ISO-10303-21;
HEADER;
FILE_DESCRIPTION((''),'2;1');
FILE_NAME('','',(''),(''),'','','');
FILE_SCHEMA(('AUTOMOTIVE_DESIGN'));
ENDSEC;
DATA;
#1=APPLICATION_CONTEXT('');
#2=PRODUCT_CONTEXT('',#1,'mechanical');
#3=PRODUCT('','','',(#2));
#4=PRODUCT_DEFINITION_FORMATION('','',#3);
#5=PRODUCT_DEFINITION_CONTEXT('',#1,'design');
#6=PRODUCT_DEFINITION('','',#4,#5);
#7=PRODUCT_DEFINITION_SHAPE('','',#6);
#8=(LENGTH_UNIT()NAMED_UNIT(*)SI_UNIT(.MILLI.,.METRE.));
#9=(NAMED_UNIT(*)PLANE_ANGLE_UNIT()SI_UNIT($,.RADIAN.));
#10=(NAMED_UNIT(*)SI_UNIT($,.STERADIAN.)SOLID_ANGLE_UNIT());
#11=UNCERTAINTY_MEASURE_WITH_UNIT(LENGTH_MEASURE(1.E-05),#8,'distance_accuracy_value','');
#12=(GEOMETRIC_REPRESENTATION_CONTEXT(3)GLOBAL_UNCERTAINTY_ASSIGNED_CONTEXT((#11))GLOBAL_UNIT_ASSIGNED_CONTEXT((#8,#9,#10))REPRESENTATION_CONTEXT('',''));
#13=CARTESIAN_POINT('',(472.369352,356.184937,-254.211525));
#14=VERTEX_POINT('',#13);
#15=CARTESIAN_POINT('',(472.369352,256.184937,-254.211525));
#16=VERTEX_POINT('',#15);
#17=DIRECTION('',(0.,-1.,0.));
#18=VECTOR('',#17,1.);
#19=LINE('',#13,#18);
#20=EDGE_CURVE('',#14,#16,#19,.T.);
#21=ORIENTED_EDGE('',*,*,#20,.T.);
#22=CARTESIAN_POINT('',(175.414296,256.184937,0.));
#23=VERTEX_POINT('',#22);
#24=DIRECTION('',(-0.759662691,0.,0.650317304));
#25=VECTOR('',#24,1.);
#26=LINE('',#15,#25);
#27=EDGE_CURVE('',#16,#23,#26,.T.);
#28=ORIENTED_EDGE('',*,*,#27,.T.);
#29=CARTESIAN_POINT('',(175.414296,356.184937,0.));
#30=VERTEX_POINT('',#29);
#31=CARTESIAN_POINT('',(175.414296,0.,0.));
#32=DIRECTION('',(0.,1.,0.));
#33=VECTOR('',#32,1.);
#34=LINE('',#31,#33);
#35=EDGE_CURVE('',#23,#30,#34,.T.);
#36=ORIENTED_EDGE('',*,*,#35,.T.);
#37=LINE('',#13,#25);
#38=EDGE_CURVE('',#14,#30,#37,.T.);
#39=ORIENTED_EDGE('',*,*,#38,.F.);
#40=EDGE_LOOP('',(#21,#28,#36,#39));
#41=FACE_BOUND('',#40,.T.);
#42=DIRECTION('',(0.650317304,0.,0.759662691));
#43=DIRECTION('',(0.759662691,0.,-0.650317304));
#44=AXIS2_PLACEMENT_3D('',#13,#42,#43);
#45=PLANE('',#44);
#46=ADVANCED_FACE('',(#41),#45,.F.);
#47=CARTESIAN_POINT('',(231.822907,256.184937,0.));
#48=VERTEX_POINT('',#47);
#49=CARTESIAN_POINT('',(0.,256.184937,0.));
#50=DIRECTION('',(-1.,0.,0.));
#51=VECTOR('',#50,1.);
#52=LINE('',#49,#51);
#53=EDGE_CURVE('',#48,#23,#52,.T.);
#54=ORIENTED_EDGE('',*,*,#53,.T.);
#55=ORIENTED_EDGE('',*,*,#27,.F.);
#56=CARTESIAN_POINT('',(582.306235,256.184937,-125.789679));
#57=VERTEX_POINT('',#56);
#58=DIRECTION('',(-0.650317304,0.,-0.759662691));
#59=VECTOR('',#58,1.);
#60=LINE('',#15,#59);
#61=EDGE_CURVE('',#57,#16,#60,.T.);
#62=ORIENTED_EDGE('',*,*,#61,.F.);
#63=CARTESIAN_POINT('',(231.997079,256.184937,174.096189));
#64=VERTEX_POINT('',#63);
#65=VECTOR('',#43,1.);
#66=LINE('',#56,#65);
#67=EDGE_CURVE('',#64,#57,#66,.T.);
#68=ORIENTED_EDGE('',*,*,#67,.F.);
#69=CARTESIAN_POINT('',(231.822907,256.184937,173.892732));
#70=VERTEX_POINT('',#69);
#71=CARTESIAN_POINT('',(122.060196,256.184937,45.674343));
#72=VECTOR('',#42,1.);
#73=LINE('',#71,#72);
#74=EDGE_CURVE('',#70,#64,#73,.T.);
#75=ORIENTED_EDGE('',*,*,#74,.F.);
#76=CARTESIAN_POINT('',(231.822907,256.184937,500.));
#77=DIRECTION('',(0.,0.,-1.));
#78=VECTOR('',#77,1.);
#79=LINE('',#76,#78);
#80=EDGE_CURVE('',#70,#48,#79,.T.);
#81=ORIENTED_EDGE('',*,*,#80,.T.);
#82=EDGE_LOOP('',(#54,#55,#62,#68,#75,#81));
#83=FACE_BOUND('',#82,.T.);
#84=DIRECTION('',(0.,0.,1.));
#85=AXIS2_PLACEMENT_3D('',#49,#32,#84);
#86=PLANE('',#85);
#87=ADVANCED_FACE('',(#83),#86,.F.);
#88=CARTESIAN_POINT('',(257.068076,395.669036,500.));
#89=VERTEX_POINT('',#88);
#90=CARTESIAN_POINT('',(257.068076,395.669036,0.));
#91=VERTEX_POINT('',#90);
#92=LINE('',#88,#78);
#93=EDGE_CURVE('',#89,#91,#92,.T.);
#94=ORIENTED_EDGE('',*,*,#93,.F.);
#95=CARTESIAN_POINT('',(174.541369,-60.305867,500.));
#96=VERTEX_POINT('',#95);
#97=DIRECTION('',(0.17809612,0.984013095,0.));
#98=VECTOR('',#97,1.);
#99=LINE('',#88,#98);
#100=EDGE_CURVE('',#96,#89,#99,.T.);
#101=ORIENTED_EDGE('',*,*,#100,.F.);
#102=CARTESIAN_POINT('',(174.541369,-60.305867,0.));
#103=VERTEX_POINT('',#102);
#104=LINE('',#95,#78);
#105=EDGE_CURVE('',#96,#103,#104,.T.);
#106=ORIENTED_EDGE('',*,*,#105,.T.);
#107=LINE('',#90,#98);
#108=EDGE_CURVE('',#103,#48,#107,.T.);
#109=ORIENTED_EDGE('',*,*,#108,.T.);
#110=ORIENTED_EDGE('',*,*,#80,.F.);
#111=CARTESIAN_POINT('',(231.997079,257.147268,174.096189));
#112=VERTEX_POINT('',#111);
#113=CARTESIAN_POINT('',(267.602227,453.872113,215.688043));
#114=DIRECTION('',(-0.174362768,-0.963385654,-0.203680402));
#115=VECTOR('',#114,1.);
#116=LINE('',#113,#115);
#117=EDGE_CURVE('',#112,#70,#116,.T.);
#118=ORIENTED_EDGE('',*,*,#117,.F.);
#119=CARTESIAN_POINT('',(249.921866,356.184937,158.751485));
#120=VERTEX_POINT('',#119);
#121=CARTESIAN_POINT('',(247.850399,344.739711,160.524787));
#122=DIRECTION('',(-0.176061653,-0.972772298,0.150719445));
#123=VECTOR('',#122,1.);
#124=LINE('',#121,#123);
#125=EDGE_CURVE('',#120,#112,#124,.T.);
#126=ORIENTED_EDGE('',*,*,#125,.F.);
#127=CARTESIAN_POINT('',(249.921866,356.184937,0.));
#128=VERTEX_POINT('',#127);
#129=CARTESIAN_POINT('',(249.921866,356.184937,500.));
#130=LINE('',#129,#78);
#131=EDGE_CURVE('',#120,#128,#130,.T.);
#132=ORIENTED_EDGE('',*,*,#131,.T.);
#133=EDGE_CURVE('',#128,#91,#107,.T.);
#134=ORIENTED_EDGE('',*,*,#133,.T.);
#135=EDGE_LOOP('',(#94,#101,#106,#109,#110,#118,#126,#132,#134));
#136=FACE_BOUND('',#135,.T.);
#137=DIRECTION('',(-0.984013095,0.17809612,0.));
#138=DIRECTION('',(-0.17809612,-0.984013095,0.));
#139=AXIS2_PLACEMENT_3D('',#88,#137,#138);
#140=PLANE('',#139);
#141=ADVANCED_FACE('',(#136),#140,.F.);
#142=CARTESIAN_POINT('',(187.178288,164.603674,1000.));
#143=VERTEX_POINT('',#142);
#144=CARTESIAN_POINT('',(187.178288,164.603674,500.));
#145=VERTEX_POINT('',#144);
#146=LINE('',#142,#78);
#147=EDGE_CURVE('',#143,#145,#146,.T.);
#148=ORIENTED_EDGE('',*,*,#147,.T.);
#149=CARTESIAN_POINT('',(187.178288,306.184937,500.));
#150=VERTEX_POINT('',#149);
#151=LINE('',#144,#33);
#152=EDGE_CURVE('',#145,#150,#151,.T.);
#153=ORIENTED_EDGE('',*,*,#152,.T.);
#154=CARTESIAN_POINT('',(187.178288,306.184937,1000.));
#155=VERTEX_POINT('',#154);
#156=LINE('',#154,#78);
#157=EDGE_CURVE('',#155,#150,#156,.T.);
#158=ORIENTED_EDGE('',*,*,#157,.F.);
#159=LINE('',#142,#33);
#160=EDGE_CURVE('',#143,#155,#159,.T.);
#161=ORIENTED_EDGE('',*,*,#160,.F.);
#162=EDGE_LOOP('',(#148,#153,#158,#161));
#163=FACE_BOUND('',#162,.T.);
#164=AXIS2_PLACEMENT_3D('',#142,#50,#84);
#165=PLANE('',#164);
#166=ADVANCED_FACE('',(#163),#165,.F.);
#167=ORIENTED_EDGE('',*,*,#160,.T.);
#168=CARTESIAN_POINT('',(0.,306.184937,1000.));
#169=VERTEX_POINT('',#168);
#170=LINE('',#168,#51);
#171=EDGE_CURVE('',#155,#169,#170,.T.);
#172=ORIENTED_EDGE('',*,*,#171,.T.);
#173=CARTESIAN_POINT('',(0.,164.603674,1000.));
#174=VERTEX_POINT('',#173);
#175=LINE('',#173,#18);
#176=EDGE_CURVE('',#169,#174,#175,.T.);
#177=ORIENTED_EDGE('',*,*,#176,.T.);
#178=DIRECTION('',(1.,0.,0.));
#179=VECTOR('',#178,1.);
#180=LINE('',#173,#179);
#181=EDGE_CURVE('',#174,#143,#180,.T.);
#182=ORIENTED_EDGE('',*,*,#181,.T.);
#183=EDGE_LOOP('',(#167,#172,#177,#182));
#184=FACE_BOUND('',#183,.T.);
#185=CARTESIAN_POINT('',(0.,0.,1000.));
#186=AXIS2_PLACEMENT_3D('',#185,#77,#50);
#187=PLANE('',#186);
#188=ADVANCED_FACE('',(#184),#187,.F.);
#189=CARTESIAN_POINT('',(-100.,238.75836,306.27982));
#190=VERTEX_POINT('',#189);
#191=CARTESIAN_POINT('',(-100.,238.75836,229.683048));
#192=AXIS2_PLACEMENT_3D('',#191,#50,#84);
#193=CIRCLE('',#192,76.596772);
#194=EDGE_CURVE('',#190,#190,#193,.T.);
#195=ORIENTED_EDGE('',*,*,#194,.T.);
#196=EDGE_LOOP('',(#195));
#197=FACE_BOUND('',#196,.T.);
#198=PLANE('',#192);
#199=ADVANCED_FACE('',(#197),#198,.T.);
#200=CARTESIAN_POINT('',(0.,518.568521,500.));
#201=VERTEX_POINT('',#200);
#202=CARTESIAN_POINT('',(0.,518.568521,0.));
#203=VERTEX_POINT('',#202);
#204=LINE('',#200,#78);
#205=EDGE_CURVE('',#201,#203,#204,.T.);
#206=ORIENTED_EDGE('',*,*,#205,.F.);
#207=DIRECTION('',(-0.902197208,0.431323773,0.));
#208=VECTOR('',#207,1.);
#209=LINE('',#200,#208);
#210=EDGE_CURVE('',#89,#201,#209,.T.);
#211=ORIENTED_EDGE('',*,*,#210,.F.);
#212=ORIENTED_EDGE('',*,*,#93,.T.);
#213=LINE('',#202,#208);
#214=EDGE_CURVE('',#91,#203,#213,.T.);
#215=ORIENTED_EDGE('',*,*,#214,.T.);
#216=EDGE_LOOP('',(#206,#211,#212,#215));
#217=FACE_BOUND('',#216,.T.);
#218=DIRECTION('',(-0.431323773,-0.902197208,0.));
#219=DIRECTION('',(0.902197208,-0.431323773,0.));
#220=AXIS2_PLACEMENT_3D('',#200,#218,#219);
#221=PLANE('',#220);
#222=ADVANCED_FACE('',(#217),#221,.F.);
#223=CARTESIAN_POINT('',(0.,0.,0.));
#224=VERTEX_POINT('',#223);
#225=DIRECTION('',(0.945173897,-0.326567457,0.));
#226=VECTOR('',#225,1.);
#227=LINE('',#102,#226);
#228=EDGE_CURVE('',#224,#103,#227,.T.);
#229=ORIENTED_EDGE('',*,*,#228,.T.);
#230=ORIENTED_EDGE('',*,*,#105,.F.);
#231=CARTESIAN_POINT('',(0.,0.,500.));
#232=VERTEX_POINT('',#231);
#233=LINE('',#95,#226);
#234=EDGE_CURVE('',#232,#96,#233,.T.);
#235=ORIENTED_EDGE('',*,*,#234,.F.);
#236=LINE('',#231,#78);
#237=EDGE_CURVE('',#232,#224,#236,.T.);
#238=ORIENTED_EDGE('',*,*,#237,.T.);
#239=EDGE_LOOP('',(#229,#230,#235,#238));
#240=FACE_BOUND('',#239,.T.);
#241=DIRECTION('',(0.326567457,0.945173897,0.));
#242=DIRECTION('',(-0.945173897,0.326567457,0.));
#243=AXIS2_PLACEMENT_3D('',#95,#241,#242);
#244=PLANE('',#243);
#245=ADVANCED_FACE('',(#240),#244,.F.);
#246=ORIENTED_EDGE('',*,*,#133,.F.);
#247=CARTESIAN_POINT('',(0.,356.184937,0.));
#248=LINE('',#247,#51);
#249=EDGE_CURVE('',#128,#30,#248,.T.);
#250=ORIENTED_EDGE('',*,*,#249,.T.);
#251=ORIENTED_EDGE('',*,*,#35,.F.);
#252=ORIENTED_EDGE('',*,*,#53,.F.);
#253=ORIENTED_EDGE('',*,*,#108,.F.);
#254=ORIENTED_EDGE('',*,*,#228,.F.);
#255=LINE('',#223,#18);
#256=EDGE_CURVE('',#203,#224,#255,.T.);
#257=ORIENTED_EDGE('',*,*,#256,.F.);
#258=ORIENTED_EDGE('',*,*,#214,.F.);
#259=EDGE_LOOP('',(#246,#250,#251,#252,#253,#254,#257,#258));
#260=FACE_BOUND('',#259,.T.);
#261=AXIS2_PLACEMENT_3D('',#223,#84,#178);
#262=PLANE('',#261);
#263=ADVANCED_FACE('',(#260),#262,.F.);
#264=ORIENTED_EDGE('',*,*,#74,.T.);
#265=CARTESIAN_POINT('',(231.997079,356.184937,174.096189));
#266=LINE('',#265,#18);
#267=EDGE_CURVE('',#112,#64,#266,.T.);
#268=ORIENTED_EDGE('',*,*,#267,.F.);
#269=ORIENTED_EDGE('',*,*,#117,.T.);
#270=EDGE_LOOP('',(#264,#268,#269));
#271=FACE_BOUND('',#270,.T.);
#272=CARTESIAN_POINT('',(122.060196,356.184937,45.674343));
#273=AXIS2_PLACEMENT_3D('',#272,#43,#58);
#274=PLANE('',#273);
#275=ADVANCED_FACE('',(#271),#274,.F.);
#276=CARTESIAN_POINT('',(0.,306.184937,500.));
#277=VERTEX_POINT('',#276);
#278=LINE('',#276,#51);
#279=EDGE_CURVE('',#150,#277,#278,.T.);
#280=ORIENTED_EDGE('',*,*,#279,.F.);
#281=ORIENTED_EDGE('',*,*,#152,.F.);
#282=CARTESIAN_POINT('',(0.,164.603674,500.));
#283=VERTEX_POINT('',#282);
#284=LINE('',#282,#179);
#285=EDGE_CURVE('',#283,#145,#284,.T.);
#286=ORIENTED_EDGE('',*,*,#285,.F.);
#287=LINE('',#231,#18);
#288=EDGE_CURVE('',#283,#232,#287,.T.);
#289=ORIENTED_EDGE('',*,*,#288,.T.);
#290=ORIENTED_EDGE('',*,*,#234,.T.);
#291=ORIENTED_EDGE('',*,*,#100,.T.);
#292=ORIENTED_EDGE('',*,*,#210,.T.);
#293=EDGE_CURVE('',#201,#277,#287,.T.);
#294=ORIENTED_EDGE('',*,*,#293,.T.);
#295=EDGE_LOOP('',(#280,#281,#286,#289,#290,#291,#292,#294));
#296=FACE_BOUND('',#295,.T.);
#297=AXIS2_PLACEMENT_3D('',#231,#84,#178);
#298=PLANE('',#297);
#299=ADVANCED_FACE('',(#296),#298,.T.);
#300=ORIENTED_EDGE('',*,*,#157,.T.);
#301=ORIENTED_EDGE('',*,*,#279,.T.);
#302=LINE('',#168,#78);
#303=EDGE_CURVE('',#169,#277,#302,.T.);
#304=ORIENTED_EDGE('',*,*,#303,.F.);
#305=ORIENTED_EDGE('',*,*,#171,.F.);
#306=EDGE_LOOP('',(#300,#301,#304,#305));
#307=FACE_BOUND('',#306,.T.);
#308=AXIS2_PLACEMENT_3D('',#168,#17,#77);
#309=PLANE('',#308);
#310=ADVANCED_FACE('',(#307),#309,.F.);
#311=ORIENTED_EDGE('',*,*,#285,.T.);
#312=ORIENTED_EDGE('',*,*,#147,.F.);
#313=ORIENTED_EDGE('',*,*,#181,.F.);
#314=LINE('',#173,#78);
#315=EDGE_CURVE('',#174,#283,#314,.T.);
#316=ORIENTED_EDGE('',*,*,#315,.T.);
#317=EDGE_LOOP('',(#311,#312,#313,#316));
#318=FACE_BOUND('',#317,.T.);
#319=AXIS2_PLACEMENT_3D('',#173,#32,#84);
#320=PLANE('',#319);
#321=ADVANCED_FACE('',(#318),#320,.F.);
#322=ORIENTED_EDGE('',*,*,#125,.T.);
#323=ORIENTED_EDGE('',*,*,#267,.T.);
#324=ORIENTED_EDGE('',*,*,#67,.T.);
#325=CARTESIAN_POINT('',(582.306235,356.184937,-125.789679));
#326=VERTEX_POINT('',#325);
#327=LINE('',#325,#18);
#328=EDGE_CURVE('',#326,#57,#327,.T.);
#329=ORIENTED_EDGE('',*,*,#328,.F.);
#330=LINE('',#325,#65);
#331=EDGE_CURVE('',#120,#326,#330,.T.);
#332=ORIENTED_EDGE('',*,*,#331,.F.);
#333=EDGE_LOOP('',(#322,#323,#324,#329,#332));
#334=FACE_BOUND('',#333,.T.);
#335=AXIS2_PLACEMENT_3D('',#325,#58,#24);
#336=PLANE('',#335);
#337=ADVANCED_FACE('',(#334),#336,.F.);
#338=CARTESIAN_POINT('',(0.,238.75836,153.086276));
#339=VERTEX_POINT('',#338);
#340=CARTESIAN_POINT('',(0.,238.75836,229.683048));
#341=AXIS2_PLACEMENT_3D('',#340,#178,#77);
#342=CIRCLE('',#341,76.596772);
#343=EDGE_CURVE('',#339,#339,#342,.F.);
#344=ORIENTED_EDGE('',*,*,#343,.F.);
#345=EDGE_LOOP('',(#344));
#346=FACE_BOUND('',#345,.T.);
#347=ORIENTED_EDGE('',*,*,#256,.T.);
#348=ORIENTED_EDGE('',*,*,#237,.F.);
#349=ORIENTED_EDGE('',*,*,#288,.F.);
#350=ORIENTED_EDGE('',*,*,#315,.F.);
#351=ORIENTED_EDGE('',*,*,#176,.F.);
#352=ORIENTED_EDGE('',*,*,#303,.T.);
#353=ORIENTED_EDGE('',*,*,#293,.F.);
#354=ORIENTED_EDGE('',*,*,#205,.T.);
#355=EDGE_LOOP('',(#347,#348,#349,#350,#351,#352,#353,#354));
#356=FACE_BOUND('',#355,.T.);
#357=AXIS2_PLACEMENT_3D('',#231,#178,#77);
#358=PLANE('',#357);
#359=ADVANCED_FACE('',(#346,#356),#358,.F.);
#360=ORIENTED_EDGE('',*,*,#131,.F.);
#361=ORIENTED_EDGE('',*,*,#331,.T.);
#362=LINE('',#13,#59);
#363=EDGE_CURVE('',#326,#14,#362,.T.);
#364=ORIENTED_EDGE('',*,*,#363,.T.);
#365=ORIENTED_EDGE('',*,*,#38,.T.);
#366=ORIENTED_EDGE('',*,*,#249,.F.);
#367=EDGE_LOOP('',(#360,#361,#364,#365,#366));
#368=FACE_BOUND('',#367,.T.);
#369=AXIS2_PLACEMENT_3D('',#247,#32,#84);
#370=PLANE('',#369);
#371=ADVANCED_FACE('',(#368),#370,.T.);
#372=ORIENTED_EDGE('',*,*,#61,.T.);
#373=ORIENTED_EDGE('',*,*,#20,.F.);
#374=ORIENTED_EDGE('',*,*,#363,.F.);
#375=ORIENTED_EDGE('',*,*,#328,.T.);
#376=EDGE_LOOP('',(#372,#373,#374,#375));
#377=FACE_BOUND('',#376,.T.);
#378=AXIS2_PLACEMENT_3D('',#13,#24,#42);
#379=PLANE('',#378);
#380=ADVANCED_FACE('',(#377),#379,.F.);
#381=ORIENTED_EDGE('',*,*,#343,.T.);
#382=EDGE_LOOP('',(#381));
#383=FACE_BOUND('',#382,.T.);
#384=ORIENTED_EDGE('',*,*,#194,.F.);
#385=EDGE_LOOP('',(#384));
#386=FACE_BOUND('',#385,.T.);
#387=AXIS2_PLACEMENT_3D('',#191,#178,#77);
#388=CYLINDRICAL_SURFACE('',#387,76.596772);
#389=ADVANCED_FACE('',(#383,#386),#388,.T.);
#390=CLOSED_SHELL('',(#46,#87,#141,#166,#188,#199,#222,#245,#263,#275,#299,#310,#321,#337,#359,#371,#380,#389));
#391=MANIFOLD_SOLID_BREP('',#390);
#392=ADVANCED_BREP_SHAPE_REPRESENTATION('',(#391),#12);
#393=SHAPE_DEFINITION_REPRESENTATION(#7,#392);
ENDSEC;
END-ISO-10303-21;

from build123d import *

# Parameters (mm, degrees)
BOSS_EXTRU_1_DEPTH = 500
ESQUISSE2_W        = 187.1782881
ESQUISSE2_H        = 141.58126374
BOSS_EXTRU_2_DEPTH = 500
ESQUISSE3_R        = 76.59677213
BOSS_EXTRU_3_DEPTH = 100
BOSS_EXTRU_4_DEPTH = 50


with BuildPart() as part:
    # Esquisse1 → Boss.-Extru.1 (new body)
    with BuildSketch(Plane.XY):
        Polygon((0, 0), (0, 518.568521206), (257.06807621, 395.669035808), (174.541368625, -60.305866535), align=None)
    extrude(amount=BOSS_EXTRU_1_DEPTH)

    # Esquisse2 → Boss.-Extru.2 (add)
    with BuildSketch(Plane.XY.offset(500)):
        with Locations((93.58914405, 235.39430549)):
            Rectangle(ESQUISSE2_W, ESQUISSE2_H)
    extrude(amount=BOSS_EXTRU_2_DEPTH)

    # Esquisse3 → Boss.-Extru.3 (add)
    with BuildSketch(Plane.ZY):
        with Locations(Location((229.683047697, 238.758360313, 0), (0, 0, 180))):  # turned: the seam where the file's is
            Circle(ESQUISSE3_R)
    extrude(amount=BOSS_EXTRU_3_DEPTH)

    # Esquisse5 → Boss.-Extru.4 (add, symmetric)
    with BuildSketch(Plane(origin=(0, 306.18493736, 0), x_dir=(1, 0, 0), z_dir=(0, 1, 0))):
        Polygon((472.369351722, 254.21152486), (582.306234848, 125.789679085), (231.997079223, -174.096188988), (122.060196097, -45.674343213), align=None)
    extrude(amount=BOSS_EXTRU_4_DEPTH, both=True)


solid = part.part
